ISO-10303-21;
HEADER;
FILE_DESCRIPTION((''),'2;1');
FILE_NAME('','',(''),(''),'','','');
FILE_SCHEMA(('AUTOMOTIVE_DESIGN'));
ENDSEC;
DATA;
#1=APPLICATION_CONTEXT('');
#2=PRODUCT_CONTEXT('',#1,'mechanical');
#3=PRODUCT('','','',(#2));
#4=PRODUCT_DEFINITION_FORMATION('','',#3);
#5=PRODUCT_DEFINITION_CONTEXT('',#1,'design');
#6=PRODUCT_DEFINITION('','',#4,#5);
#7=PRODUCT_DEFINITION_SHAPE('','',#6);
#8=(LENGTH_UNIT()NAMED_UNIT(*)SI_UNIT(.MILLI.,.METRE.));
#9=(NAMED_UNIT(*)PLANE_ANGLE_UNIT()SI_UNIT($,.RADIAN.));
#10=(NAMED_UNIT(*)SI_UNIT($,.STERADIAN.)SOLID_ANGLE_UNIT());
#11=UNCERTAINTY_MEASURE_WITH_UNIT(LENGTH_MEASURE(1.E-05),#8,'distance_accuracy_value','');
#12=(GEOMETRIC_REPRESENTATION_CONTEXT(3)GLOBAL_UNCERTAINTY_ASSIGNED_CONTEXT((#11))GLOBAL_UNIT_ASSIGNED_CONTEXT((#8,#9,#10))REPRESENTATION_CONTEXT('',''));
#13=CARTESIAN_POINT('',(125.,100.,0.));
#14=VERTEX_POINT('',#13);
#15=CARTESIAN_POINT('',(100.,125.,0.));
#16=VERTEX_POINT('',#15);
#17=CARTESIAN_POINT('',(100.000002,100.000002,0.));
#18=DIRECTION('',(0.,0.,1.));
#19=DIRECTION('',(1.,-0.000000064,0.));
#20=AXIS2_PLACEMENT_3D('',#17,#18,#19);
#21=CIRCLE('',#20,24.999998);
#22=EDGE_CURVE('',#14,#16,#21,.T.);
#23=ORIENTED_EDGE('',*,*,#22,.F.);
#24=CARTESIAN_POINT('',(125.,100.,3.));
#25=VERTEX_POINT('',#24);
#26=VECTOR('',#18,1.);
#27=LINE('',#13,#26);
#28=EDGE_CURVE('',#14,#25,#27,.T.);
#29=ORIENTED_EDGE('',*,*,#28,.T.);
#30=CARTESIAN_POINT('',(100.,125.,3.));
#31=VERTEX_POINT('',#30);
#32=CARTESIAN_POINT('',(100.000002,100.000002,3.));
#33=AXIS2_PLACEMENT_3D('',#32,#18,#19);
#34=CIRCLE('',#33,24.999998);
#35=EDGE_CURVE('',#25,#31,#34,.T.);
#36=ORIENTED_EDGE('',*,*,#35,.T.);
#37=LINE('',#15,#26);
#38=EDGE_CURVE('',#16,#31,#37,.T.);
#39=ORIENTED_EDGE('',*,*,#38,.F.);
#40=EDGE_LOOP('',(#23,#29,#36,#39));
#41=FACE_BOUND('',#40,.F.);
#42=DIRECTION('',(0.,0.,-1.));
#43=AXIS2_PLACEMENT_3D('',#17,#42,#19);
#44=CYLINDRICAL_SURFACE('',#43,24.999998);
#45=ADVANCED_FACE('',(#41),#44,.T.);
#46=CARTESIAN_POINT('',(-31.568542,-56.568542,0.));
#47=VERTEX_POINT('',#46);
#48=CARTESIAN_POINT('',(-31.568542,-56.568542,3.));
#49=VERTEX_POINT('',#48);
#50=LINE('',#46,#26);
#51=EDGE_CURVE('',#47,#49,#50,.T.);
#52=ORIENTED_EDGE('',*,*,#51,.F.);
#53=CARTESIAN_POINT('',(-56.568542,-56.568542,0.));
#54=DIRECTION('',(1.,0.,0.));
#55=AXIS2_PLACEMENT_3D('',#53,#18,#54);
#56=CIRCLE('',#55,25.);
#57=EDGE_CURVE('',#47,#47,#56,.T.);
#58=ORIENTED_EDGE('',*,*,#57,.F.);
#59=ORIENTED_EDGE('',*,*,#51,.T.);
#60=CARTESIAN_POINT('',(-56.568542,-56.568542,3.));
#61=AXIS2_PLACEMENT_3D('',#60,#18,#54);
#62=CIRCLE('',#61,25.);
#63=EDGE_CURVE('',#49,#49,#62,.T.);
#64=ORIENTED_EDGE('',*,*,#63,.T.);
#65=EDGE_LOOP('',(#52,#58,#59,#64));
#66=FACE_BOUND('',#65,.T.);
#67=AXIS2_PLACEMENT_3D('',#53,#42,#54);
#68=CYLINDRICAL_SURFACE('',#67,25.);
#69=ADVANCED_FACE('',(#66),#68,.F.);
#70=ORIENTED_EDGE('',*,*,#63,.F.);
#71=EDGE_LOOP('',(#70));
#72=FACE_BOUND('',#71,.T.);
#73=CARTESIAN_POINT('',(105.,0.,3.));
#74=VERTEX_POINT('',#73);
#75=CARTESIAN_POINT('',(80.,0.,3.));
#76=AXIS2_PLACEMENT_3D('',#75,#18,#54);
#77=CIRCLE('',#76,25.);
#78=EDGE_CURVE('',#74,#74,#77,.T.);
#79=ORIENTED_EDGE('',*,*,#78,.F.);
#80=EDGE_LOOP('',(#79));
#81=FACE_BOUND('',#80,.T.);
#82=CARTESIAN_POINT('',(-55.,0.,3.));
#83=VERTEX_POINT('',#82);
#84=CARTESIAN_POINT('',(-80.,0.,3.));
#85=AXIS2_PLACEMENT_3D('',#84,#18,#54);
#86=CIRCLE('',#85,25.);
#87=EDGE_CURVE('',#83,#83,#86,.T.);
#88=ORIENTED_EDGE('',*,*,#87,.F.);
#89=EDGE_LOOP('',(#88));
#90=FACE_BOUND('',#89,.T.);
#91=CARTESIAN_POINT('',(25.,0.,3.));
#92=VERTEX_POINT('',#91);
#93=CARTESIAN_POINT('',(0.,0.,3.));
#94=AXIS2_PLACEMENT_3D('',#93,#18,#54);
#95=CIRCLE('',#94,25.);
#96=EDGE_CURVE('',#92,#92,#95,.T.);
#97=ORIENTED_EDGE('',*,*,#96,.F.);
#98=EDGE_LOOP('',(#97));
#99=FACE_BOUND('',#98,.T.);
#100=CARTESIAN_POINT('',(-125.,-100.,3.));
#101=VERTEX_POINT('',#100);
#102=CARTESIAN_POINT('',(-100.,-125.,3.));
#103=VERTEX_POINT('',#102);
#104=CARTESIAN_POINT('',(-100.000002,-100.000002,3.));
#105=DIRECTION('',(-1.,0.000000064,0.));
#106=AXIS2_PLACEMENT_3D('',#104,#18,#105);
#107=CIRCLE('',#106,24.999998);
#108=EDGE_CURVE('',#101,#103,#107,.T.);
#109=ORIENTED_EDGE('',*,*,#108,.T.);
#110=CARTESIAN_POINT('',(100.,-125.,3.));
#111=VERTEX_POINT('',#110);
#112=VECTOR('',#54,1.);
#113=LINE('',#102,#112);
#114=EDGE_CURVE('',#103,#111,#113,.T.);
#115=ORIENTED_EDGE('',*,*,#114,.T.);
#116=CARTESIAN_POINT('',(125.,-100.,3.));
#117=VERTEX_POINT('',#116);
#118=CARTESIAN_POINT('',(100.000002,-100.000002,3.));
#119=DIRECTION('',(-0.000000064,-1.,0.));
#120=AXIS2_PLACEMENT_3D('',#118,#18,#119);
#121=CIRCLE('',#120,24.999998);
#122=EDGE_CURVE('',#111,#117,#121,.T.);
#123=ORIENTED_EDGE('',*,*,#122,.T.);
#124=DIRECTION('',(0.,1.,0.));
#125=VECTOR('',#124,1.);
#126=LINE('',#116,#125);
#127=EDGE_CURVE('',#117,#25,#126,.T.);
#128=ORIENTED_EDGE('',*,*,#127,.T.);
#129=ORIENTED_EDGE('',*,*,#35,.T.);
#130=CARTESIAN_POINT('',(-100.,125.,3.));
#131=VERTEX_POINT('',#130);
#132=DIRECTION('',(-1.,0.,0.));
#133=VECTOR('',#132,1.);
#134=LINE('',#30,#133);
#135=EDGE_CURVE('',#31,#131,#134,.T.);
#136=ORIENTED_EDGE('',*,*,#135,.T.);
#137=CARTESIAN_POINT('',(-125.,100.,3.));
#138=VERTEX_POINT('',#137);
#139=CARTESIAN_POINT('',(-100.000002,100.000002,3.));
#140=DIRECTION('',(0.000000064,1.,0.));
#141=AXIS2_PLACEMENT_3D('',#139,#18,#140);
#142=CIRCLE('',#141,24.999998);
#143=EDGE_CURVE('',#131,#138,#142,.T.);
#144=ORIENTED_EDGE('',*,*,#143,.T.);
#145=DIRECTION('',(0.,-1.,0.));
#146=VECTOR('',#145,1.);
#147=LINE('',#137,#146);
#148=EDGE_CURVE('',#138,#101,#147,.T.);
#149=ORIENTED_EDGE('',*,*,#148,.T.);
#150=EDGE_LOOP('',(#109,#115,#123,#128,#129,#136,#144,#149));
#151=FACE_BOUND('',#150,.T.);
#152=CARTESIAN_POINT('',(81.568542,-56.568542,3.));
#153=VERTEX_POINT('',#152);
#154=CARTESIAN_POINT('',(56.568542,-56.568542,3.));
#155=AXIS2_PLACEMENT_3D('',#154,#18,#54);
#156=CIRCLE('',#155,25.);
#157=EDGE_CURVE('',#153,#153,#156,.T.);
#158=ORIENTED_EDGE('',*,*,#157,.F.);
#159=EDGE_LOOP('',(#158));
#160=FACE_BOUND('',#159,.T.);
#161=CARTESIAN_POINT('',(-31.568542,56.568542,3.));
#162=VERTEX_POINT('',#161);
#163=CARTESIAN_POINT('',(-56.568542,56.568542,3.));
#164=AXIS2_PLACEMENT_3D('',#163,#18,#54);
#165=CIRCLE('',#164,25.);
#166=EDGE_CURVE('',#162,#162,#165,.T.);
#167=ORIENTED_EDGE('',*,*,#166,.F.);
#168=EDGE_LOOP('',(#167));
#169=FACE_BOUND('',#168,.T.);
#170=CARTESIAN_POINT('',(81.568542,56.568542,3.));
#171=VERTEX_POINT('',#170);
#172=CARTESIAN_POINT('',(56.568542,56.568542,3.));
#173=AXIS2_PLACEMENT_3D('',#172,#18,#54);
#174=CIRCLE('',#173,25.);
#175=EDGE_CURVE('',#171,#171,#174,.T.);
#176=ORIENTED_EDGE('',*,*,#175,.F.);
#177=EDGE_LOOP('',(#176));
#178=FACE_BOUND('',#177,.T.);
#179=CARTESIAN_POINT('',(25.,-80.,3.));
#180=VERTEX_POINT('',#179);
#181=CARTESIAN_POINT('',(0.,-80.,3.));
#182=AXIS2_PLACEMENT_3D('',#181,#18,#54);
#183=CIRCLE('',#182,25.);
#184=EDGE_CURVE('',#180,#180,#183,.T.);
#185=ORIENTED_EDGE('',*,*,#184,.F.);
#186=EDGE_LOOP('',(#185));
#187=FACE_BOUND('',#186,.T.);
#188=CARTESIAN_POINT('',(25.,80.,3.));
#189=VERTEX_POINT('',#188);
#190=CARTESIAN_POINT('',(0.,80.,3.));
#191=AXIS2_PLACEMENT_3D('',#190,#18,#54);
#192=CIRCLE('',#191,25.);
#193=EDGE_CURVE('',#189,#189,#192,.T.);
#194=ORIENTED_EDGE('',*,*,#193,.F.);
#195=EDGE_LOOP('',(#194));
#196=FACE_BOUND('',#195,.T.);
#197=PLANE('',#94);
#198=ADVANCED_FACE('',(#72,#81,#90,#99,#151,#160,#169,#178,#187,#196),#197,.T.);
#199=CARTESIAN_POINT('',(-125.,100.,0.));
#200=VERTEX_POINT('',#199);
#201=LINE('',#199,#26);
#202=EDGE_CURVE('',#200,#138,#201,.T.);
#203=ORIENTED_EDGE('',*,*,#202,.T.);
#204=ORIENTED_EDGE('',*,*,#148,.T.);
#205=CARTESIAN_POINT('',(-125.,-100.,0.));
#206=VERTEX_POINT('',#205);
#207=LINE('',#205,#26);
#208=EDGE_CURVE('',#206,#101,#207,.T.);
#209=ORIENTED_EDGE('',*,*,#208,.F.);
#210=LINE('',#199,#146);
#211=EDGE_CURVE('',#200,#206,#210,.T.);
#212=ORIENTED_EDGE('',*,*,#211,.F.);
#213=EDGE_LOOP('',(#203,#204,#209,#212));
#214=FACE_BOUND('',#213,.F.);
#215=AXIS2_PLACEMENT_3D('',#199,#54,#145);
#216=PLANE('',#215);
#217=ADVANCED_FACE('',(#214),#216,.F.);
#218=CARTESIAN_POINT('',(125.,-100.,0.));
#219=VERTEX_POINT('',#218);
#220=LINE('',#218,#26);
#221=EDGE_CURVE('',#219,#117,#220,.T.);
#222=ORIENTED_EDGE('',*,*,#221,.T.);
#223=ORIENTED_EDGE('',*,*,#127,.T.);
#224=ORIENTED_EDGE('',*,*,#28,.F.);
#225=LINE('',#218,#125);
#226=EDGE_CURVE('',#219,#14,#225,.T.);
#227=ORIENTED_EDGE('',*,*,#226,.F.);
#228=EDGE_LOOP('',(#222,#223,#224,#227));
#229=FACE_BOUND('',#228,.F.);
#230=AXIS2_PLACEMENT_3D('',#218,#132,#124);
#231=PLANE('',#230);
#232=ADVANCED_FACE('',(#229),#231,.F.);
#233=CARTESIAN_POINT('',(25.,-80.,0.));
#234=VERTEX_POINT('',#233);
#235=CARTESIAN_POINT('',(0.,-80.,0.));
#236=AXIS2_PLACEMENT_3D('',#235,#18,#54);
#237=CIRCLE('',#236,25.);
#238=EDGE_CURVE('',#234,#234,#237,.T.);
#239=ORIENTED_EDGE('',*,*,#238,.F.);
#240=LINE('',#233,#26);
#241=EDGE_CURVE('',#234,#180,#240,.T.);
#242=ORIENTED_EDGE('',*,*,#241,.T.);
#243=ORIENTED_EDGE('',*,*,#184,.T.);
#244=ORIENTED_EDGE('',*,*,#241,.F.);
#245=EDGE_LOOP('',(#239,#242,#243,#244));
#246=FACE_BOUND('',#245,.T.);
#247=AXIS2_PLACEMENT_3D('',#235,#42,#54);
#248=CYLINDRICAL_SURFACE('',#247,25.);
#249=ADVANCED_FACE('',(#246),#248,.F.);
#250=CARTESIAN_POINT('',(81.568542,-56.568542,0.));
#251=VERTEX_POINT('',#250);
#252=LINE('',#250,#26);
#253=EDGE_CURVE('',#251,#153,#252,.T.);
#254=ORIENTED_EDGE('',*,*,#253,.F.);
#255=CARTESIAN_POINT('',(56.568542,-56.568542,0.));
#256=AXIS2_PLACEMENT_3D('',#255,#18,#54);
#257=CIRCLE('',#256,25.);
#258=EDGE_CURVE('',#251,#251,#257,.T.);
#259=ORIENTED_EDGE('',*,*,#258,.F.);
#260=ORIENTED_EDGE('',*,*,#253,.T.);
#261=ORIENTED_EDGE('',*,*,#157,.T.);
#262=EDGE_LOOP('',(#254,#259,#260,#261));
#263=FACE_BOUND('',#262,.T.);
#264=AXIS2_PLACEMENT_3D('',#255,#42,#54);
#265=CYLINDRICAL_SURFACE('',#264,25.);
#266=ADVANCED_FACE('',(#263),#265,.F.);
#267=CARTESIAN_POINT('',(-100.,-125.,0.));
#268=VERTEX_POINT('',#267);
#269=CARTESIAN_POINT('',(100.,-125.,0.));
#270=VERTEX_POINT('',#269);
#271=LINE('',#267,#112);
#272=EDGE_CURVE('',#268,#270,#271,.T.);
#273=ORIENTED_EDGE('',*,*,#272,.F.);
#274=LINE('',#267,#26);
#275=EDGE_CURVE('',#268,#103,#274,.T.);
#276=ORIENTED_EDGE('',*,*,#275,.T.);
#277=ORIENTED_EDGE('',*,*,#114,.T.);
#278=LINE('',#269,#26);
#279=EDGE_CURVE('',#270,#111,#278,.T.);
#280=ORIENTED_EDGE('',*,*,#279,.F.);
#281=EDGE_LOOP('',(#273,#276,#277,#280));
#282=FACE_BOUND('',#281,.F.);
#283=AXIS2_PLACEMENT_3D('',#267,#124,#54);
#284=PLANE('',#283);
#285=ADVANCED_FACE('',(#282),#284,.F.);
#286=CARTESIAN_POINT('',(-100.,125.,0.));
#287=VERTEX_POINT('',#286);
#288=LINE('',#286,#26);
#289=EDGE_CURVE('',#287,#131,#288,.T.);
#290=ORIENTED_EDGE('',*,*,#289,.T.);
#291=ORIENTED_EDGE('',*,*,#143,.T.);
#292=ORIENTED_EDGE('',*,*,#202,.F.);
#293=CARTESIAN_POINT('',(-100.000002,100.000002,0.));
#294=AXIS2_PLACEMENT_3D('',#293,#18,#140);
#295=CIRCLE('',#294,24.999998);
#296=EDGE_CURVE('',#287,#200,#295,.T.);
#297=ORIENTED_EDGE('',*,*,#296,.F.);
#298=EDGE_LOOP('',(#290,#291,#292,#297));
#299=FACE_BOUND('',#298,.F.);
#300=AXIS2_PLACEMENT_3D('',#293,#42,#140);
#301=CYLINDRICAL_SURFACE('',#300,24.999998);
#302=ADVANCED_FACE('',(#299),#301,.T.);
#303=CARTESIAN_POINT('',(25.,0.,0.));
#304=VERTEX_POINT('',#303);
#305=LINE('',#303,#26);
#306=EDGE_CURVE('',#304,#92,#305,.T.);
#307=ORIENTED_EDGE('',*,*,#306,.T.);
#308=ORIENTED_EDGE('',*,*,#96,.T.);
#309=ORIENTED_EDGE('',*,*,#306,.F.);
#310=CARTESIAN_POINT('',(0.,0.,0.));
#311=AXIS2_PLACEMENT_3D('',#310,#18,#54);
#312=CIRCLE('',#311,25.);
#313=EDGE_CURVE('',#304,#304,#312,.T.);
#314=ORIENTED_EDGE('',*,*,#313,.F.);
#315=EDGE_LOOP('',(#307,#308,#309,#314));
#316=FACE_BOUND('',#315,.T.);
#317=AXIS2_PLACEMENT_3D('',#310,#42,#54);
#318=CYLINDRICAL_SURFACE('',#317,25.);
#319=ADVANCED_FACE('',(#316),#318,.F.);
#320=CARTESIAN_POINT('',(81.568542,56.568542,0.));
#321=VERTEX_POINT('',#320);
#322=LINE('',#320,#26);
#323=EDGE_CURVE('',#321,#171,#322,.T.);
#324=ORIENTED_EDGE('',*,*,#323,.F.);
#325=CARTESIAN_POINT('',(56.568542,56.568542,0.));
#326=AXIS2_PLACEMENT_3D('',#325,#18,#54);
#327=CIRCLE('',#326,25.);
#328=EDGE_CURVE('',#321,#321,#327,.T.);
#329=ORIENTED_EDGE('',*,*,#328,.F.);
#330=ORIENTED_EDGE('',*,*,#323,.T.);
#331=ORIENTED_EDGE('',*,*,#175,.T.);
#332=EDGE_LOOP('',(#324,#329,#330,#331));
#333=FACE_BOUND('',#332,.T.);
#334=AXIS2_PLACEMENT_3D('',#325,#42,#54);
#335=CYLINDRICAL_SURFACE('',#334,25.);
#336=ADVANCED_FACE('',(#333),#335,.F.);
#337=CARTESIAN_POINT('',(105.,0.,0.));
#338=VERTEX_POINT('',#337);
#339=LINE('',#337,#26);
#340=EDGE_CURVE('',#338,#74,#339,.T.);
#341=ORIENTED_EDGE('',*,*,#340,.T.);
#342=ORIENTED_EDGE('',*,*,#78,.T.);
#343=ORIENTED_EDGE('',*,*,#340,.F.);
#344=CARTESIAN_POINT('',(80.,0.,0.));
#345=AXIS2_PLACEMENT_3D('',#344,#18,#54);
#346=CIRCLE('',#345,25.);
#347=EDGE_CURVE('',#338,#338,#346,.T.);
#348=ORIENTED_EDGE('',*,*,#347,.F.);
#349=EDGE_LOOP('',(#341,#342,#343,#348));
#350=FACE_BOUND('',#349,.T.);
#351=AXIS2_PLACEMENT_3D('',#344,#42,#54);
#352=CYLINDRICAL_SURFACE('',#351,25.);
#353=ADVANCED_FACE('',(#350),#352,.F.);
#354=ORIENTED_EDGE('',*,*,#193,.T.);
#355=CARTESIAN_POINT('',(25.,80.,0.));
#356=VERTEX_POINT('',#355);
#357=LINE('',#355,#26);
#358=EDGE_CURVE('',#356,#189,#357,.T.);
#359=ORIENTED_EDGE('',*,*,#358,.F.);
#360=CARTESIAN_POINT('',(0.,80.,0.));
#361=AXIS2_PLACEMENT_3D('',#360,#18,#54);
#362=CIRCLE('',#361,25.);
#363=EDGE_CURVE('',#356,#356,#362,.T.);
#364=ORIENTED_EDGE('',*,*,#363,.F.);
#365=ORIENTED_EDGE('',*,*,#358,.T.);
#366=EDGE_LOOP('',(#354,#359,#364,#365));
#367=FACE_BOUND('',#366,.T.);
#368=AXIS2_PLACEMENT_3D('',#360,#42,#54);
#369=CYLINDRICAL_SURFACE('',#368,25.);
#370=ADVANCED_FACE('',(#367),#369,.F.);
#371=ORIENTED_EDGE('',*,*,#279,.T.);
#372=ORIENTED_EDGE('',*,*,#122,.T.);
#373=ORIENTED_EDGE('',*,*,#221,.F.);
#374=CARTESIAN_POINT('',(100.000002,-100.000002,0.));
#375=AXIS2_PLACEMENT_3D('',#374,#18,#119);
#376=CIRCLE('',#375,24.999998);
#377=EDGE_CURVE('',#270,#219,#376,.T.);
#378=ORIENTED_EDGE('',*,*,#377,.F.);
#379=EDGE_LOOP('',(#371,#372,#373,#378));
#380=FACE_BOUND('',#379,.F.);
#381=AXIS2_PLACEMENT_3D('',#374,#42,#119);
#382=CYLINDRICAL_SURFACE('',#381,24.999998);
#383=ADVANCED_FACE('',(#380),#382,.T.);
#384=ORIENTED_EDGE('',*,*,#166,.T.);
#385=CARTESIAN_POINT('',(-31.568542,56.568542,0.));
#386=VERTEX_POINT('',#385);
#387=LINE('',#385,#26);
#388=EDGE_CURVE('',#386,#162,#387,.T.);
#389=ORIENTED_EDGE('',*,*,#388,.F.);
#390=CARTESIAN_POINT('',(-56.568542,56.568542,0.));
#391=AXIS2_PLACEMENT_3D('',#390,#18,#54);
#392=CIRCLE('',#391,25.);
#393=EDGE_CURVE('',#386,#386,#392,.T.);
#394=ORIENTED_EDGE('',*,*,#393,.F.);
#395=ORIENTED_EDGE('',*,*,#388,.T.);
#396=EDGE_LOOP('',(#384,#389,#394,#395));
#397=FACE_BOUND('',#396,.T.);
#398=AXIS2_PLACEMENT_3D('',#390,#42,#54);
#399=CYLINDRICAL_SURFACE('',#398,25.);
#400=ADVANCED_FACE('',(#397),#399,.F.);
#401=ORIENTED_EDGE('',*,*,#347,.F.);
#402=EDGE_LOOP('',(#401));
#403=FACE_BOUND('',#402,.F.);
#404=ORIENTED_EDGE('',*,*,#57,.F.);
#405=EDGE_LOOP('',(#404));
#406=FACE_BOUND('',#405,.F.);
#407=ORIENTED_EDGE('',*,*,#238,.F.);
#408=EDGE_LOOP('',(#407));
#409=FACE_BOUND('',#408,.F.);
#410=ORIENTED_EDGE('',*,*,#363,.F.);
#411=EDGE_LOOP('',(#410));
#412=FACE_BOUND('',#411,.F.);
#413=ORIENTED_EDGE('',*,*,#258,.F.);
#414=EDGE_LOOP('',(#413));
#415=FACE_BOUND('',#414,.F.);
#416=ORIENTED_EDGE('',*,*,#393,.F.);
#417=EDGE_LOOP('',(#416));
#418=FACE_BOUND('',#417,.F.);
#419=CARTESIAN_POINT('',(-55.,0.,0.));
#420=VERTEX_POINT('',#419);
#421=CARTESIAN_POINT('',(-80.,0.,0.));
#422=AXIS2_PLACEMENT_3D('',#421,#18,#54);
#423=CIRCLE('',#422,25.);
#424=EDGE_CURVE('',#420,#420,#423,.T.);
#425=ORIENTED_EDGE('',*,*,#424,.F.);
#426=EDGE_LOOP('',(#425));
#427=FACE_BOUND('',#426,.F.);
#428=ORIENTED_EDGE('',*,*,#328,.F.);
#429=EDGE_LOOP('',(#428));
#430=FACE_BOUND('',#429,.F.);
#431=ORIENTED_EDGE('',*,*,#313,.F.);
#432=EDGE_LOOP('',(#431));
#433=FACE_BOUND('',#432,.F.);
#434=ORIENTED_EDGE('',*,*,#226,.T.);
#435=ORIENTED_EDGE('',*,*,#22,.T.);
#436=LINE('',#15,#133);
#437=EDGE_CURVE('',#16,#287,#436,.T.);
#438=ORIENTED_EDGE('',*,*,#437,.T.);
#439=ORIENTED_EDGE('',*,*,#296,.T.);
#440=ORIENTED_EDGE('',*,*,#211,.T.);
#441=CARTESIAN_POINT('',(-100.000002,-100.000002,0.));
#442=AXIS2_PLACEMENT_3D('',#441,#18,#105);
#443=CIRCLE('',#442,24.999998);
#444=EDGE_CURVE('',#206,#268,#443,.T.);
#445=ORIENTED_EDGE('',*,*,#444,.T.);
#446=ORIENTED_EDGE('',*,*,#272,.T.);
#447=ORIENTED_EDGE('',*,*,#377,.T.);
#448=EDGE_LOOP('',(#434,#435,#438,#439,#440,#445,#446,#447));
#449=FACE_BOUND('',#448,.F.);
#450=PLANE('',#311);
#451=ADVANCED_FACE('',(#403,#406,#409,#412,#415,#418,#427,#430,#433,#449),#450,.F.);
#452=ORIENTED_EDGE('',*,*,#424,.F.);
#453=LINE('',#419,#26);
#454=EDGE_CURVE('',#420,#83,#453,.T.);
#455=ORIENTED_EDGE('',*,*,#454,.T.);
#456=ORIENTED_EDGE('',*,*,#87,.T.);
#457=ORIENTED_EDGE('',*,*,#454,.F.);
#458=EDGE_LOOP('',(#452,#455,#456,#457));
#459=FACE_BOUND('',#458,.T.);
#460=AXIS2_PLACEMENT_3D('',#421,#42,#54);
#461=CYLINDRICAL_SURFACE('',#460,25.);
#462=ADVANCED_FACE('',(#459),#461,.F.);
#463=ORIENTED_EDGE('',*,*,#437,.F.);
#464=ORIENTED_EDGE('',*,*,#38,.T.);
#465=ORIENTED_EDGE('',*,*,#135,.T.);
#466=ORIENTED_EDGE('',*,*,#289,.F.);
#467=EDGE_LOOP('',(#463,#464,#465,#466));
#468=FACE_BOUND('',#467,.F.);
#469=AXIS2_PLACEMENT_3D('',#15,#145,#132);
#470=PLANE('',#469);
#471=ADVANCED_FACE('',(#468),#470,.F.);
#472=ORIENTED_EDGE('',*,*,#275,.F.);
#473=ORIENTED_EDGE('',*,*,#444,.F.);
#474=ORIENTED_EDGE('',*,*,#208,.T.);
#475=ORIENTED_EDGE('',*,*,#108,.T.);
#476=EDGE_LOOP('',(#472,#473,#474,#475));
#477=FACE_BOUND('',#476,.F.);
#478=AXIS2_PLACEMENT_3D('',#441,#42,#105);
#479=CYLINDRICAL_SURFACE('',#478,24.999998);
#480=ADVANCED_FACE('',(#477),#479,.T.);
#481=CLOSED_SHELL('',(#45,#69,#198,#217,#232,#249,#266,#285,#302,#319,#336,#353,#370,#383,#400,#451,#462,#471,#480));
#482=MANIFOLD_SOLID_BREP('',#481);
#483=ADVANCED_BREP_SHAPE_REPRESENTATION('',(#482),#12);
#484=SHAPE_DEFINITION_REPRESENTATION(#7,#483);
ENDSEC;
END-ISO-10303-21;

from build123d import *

# Parameters (mm, degrees)
F0_R     = 25
F1_DEPTH = 3


with BuildPart() as f1:
    # F0 (on Top) → F1 (new body)
    with BuildSketch(Plane.XY):
        with BuildLine():
            ThreePointArc((125, 100), (117.67767, 117.67767), (100, 125))
            Line((100, 125), (-100, 125))
            ThreePointArc((-100, 125), (-117.67767, 117.67767), (-125, 100))
            Line((-125, 100), (-125, -100))
            ThreePointArc((-125, -100), (-117.67767, -117.67767), (-100, -125))
            Line((-100, -125), (100, -125))
            ThreePointArc((100, -125), (117.67767, -117.67767), (125, -100))
            Line((125, -100), (125, 100))
        make_face()
        with Locations((-56.568542, -56.568542)):
            Circle(F0_R, mode=Mode.SUBTRACT)
        with Locations((0, -80)):
            Circle(F0_R, mode=Mode.SUBTRACT)
        with Locations((56.568542, -56.568542)):
            Circle(F0_R, mode=Mode.SUBTRACT)
        with Locations((-80, 0)):
            Circle(F0_R, mode=Mode.SUBTRACT)
        with Locations((-56.568542, 56.568542)):
            Circle(F0_R, mode=Mode.SUBTRACT)
        Circle(F0_R, mode=Mode.SUBTRACT)
        with Locations((56.568542, 56.568542)):
            Circle(F0_R, mode=Mode.SUBTRACT)
        with Locations((80, 0)):
            Circle(F0_R, mode=Mode.SUBTRACT)
        with Locations((0, 80)):
            Circle(F0_R, mode=Mode.SUBTRACT)
    extrude(amount=F1_DEPTH)


solid = f1.part
